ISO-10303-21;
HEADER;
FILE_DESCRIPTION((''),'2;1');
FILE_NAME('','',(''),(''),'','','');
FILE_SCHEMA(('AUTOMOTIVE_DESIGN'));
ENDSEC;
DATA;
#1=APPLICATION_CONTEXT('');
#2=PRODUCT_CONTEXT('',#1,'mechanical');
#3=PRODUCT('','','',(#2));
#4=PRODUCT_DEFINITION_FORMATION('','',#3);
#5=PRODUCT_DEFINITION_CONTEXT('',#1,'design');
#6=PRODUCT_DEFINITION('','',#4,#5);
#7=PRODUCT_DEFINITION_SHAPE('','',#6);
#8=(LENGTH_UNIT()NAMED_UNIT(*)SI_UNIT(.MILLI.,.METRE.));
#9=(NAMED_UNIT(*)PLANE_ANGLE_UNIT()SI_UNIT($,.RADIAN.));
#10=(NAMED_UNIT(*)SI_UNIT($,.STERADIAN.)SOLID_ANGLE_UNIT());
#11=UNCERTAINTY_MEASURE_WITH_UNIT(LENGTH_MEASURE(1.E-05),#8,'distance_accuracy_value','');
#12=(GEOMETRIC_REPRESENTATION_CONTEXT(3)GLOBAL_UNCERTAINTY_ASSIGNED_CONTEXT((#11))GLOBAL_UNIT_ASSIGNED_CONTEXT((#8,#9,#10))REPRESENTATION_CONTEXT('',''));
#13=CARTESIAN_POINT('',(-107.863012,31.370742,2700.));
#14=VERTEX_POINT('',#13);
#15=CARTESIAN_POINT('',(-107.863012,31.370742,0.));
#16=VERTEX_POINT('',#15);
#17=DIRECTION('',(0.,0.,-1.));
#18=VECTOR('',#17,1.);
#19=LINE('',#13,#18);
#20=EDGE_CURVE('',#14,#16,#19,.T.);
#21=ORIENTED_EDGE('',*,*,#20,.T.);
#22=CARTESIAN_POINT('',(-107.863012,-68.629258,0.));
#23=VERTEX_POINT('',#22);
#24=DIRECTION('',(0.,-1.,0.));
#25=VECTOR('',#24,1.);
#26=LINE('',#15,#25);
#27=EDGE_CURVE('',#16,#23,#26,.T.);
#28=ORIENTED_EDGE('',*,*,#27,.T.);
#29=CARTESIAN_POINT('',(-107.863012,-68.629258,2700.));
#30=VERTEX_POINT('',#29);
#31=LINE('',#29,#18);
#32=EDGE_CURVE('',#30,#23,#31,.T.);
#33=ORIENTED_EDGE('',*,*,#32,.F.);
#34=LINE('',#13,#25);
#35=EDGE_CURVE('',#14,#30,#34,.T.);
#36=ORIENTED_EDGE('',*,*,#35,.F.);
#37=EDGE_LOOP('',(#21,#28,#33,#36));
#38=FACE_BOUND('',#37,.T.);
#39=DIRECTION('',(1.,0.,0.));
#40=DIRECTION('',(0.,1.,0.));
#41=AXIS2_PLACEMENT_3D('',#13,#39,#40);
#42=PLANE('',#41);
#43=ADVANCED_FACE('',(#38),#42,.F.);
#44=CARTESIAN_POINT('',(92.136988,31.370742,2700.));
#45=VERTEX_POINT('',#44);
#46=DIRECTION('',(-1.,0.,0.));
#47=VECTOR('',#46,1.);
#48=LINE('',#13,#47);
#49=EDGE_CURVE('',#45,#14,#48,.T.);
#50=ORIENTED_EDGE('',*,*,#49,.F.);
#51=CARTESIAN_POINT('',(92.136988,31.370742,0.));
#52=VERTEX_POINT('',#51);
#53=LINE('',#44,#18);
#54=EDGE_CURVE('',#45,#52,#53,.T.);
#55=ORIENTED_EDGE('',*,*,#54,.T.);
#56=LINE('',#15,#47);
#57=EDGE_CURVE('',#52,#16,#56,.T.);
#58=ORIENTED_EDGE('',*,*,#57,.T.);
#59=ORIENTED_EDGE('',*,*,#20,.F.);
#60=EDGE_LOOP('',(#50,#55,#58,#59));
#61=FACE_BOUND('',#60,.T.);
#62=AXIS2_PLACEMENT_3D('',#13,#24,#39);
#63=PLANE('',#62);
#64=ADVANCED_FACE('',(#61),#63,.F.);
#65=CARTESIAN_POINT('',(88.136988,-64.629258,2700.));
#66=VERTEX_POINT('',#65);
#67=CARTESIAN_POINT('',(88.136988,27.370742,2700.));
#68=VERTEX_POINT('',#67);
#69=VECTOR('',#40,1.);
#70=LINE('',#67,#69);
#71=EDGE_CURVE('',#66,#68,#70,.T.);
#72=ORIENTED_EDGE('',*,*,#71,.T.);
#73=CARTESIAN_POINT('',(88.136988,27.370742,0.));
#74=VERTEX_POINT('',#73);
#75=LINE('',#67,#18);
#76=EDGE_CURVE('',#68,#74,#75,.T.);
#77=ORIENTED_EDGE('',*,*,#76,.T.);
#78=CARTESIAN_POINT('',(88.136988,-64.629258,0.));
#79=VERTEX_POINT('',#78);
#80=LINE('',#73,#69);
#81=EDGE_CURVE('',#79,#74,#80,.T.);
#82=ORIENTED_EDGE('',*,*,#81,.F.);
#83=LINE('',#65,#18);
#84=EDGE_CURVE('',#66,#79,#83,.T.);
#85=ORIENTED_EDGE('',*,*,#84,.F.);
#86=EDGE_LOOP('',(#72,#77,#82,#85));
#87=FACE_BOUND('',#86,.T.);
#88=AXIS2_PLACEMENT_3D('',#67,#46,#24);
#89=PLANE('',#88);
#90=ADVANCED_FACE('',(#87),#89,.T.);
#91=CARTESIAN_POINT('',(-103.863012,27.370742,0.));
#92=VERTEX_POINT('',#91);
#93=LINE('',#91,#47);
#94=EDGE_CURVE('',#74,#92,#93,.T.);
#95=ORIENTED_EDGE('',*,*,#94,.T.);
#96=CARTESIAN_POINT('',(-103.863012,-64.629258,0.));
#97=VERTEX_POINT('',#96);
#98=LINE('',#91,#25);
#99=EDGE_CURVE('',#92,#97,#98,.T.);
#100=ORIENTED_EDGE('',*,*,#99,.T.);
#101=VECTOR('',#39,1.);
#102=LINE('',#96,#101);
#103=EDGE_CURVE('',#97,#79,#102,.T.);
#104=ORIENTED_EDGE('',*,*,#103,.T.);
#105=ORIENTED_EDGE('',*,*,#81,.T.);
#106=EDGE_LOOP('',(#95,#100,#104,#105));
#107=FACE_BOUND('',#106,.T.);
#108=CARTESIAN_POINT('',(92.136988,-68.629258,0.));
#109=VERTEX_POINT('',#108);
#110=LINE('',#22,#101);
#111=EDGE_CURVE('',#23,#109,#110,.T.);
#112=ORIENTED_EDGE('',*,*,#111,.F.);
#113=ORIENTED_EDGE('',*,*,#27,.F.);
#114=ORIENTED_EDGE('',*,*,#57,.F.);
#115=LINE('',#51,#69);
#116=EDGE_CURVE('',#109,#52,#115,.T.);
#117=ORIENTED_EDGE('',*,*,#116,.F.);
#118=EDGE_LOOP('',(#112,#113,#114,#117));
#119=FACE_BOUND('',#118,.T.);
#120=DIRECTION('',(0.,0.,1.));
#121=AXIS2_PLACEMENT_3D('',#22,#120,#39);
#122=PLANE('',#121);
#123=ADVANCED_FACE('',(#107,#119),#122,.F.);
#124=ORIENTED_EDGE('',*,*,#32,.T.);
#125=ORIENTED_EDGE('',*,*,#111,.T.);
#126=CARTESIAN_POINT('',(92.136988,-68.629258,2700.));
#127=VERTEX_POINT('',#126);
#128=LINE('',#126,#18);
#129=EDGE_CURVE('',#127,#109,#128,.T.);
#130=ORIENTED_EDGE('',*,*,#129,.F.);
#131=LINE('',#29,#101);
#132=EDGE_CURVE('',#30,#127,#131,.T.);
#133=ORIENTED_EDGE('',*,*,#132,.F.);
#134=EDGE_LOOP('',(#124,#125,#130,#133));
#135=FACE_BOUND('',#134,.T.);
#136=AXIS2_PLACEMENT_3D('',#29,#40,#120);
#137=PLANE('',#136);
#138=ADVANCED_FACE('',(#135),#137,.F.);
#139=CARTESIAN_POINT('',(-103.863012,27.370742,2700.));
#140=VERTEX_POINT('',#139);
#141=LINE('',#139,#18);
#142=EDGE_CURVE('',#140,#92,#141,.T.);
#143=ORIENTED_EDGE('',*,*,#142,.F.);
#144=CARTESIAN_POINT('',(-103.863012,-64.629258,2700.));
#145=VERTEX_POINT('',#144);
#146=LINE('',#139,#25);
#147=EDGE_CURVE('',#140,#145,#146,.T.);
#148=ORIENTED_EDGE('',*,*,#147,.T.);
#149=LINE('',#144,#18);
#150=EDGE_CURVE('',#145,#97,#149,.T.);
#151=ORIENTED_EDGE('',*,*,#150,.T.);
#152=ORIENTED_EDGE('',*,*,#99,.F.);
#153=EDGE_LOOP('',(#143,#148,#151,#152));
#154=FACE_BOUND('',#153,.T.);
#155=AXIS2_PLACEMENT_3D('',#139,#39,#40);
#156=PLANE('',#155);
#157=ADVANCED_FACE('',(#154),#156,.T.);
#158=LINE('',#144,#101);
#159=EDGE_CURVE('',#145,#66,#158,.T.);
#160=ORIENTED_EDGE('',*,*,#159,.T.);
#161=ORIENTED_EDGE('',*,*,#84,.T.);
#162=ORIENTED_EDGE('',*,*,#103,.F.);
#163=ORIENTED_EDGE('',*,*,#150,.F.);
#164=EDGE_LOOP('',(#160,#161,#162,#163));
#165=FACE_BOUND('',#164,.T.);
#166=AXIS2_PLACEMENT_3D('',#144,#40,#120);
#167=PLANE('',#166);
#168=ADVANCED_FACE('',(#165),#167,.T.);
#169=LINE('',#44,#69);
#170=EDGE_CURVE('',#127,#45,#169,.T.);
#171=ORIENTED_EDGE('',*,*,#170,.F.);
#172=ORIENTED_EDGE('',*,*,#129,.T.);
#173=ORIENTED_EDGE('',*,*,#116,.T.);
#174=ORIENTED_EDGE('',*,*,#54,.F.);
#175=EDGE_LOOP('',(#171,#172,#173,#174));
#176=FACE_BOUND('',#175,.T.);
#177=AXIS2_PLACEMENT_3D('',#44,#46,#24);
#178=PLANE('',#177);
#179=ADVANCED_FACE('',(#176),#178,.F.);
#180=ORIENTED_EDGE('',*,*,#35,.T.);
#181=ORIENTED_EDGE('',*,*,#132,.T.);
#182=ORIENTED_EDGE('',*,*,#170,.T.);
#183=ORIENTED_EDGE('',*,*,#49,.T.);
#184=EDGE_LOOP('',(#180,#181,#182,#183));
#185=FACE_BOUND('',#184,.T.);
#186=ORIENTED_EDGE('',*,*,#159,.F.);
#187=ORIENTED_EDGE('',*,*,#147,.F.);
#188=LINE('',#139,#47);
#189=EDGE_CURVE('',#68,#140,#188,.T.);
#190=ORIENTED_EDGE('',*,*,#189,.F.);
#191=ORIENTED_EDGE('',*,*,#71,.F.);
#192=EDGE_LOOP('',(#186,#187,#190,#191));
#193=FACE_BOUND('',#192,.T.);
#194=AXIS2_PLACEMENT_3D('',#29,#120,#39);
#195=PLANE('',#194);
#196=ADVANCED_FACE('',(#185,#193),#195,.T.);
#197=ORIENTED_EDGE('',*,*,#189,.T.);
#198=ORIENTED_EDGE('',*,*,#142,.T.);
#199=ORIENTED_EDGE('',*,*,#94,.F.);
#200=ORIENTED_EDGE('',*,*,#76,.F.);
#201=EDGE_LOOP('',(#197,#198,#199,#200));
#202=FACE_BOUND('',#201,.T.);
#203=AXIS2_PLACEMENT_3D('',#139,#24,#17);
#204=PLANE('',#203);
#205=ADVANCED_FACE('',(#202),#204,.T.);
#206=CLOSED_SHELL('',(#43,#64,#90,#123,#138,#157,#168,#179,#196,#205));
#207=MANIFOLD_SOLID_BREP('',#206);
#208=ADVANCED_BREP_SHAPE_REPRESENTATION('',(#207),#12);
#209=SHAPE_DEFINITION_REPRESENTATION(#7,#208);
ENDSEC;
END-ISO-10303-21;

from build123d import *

# Parameters (mm, degrees)
CROQUIS1_W              = 200
CROQUIS1_H              = 100
CROQUIS1_W_2            = 192
CROQUIS1_H_2            = 92
SALIENTE_EXTRUIR1_DEPTH = 2700


with BuildPart() as part:
    # Croquis1 → Saliente-Extruir1 (new body)
    with BuildSketch(Plane.XY):
        with Locations((-7.863012306, -18.62925801)):
            Rectangle(CROQUIS1_W, CROQUIS1_H)
        with Locations((-7.863012306, -18.62925801)):
            Rectangle(CROQUIS1_W_2, CROQUIS1_H_2, mode=Mode.SUBTRACT)
    extrude(amount=SALIENTE_EXTRUIR1_DEPTH)


solid = part.part
